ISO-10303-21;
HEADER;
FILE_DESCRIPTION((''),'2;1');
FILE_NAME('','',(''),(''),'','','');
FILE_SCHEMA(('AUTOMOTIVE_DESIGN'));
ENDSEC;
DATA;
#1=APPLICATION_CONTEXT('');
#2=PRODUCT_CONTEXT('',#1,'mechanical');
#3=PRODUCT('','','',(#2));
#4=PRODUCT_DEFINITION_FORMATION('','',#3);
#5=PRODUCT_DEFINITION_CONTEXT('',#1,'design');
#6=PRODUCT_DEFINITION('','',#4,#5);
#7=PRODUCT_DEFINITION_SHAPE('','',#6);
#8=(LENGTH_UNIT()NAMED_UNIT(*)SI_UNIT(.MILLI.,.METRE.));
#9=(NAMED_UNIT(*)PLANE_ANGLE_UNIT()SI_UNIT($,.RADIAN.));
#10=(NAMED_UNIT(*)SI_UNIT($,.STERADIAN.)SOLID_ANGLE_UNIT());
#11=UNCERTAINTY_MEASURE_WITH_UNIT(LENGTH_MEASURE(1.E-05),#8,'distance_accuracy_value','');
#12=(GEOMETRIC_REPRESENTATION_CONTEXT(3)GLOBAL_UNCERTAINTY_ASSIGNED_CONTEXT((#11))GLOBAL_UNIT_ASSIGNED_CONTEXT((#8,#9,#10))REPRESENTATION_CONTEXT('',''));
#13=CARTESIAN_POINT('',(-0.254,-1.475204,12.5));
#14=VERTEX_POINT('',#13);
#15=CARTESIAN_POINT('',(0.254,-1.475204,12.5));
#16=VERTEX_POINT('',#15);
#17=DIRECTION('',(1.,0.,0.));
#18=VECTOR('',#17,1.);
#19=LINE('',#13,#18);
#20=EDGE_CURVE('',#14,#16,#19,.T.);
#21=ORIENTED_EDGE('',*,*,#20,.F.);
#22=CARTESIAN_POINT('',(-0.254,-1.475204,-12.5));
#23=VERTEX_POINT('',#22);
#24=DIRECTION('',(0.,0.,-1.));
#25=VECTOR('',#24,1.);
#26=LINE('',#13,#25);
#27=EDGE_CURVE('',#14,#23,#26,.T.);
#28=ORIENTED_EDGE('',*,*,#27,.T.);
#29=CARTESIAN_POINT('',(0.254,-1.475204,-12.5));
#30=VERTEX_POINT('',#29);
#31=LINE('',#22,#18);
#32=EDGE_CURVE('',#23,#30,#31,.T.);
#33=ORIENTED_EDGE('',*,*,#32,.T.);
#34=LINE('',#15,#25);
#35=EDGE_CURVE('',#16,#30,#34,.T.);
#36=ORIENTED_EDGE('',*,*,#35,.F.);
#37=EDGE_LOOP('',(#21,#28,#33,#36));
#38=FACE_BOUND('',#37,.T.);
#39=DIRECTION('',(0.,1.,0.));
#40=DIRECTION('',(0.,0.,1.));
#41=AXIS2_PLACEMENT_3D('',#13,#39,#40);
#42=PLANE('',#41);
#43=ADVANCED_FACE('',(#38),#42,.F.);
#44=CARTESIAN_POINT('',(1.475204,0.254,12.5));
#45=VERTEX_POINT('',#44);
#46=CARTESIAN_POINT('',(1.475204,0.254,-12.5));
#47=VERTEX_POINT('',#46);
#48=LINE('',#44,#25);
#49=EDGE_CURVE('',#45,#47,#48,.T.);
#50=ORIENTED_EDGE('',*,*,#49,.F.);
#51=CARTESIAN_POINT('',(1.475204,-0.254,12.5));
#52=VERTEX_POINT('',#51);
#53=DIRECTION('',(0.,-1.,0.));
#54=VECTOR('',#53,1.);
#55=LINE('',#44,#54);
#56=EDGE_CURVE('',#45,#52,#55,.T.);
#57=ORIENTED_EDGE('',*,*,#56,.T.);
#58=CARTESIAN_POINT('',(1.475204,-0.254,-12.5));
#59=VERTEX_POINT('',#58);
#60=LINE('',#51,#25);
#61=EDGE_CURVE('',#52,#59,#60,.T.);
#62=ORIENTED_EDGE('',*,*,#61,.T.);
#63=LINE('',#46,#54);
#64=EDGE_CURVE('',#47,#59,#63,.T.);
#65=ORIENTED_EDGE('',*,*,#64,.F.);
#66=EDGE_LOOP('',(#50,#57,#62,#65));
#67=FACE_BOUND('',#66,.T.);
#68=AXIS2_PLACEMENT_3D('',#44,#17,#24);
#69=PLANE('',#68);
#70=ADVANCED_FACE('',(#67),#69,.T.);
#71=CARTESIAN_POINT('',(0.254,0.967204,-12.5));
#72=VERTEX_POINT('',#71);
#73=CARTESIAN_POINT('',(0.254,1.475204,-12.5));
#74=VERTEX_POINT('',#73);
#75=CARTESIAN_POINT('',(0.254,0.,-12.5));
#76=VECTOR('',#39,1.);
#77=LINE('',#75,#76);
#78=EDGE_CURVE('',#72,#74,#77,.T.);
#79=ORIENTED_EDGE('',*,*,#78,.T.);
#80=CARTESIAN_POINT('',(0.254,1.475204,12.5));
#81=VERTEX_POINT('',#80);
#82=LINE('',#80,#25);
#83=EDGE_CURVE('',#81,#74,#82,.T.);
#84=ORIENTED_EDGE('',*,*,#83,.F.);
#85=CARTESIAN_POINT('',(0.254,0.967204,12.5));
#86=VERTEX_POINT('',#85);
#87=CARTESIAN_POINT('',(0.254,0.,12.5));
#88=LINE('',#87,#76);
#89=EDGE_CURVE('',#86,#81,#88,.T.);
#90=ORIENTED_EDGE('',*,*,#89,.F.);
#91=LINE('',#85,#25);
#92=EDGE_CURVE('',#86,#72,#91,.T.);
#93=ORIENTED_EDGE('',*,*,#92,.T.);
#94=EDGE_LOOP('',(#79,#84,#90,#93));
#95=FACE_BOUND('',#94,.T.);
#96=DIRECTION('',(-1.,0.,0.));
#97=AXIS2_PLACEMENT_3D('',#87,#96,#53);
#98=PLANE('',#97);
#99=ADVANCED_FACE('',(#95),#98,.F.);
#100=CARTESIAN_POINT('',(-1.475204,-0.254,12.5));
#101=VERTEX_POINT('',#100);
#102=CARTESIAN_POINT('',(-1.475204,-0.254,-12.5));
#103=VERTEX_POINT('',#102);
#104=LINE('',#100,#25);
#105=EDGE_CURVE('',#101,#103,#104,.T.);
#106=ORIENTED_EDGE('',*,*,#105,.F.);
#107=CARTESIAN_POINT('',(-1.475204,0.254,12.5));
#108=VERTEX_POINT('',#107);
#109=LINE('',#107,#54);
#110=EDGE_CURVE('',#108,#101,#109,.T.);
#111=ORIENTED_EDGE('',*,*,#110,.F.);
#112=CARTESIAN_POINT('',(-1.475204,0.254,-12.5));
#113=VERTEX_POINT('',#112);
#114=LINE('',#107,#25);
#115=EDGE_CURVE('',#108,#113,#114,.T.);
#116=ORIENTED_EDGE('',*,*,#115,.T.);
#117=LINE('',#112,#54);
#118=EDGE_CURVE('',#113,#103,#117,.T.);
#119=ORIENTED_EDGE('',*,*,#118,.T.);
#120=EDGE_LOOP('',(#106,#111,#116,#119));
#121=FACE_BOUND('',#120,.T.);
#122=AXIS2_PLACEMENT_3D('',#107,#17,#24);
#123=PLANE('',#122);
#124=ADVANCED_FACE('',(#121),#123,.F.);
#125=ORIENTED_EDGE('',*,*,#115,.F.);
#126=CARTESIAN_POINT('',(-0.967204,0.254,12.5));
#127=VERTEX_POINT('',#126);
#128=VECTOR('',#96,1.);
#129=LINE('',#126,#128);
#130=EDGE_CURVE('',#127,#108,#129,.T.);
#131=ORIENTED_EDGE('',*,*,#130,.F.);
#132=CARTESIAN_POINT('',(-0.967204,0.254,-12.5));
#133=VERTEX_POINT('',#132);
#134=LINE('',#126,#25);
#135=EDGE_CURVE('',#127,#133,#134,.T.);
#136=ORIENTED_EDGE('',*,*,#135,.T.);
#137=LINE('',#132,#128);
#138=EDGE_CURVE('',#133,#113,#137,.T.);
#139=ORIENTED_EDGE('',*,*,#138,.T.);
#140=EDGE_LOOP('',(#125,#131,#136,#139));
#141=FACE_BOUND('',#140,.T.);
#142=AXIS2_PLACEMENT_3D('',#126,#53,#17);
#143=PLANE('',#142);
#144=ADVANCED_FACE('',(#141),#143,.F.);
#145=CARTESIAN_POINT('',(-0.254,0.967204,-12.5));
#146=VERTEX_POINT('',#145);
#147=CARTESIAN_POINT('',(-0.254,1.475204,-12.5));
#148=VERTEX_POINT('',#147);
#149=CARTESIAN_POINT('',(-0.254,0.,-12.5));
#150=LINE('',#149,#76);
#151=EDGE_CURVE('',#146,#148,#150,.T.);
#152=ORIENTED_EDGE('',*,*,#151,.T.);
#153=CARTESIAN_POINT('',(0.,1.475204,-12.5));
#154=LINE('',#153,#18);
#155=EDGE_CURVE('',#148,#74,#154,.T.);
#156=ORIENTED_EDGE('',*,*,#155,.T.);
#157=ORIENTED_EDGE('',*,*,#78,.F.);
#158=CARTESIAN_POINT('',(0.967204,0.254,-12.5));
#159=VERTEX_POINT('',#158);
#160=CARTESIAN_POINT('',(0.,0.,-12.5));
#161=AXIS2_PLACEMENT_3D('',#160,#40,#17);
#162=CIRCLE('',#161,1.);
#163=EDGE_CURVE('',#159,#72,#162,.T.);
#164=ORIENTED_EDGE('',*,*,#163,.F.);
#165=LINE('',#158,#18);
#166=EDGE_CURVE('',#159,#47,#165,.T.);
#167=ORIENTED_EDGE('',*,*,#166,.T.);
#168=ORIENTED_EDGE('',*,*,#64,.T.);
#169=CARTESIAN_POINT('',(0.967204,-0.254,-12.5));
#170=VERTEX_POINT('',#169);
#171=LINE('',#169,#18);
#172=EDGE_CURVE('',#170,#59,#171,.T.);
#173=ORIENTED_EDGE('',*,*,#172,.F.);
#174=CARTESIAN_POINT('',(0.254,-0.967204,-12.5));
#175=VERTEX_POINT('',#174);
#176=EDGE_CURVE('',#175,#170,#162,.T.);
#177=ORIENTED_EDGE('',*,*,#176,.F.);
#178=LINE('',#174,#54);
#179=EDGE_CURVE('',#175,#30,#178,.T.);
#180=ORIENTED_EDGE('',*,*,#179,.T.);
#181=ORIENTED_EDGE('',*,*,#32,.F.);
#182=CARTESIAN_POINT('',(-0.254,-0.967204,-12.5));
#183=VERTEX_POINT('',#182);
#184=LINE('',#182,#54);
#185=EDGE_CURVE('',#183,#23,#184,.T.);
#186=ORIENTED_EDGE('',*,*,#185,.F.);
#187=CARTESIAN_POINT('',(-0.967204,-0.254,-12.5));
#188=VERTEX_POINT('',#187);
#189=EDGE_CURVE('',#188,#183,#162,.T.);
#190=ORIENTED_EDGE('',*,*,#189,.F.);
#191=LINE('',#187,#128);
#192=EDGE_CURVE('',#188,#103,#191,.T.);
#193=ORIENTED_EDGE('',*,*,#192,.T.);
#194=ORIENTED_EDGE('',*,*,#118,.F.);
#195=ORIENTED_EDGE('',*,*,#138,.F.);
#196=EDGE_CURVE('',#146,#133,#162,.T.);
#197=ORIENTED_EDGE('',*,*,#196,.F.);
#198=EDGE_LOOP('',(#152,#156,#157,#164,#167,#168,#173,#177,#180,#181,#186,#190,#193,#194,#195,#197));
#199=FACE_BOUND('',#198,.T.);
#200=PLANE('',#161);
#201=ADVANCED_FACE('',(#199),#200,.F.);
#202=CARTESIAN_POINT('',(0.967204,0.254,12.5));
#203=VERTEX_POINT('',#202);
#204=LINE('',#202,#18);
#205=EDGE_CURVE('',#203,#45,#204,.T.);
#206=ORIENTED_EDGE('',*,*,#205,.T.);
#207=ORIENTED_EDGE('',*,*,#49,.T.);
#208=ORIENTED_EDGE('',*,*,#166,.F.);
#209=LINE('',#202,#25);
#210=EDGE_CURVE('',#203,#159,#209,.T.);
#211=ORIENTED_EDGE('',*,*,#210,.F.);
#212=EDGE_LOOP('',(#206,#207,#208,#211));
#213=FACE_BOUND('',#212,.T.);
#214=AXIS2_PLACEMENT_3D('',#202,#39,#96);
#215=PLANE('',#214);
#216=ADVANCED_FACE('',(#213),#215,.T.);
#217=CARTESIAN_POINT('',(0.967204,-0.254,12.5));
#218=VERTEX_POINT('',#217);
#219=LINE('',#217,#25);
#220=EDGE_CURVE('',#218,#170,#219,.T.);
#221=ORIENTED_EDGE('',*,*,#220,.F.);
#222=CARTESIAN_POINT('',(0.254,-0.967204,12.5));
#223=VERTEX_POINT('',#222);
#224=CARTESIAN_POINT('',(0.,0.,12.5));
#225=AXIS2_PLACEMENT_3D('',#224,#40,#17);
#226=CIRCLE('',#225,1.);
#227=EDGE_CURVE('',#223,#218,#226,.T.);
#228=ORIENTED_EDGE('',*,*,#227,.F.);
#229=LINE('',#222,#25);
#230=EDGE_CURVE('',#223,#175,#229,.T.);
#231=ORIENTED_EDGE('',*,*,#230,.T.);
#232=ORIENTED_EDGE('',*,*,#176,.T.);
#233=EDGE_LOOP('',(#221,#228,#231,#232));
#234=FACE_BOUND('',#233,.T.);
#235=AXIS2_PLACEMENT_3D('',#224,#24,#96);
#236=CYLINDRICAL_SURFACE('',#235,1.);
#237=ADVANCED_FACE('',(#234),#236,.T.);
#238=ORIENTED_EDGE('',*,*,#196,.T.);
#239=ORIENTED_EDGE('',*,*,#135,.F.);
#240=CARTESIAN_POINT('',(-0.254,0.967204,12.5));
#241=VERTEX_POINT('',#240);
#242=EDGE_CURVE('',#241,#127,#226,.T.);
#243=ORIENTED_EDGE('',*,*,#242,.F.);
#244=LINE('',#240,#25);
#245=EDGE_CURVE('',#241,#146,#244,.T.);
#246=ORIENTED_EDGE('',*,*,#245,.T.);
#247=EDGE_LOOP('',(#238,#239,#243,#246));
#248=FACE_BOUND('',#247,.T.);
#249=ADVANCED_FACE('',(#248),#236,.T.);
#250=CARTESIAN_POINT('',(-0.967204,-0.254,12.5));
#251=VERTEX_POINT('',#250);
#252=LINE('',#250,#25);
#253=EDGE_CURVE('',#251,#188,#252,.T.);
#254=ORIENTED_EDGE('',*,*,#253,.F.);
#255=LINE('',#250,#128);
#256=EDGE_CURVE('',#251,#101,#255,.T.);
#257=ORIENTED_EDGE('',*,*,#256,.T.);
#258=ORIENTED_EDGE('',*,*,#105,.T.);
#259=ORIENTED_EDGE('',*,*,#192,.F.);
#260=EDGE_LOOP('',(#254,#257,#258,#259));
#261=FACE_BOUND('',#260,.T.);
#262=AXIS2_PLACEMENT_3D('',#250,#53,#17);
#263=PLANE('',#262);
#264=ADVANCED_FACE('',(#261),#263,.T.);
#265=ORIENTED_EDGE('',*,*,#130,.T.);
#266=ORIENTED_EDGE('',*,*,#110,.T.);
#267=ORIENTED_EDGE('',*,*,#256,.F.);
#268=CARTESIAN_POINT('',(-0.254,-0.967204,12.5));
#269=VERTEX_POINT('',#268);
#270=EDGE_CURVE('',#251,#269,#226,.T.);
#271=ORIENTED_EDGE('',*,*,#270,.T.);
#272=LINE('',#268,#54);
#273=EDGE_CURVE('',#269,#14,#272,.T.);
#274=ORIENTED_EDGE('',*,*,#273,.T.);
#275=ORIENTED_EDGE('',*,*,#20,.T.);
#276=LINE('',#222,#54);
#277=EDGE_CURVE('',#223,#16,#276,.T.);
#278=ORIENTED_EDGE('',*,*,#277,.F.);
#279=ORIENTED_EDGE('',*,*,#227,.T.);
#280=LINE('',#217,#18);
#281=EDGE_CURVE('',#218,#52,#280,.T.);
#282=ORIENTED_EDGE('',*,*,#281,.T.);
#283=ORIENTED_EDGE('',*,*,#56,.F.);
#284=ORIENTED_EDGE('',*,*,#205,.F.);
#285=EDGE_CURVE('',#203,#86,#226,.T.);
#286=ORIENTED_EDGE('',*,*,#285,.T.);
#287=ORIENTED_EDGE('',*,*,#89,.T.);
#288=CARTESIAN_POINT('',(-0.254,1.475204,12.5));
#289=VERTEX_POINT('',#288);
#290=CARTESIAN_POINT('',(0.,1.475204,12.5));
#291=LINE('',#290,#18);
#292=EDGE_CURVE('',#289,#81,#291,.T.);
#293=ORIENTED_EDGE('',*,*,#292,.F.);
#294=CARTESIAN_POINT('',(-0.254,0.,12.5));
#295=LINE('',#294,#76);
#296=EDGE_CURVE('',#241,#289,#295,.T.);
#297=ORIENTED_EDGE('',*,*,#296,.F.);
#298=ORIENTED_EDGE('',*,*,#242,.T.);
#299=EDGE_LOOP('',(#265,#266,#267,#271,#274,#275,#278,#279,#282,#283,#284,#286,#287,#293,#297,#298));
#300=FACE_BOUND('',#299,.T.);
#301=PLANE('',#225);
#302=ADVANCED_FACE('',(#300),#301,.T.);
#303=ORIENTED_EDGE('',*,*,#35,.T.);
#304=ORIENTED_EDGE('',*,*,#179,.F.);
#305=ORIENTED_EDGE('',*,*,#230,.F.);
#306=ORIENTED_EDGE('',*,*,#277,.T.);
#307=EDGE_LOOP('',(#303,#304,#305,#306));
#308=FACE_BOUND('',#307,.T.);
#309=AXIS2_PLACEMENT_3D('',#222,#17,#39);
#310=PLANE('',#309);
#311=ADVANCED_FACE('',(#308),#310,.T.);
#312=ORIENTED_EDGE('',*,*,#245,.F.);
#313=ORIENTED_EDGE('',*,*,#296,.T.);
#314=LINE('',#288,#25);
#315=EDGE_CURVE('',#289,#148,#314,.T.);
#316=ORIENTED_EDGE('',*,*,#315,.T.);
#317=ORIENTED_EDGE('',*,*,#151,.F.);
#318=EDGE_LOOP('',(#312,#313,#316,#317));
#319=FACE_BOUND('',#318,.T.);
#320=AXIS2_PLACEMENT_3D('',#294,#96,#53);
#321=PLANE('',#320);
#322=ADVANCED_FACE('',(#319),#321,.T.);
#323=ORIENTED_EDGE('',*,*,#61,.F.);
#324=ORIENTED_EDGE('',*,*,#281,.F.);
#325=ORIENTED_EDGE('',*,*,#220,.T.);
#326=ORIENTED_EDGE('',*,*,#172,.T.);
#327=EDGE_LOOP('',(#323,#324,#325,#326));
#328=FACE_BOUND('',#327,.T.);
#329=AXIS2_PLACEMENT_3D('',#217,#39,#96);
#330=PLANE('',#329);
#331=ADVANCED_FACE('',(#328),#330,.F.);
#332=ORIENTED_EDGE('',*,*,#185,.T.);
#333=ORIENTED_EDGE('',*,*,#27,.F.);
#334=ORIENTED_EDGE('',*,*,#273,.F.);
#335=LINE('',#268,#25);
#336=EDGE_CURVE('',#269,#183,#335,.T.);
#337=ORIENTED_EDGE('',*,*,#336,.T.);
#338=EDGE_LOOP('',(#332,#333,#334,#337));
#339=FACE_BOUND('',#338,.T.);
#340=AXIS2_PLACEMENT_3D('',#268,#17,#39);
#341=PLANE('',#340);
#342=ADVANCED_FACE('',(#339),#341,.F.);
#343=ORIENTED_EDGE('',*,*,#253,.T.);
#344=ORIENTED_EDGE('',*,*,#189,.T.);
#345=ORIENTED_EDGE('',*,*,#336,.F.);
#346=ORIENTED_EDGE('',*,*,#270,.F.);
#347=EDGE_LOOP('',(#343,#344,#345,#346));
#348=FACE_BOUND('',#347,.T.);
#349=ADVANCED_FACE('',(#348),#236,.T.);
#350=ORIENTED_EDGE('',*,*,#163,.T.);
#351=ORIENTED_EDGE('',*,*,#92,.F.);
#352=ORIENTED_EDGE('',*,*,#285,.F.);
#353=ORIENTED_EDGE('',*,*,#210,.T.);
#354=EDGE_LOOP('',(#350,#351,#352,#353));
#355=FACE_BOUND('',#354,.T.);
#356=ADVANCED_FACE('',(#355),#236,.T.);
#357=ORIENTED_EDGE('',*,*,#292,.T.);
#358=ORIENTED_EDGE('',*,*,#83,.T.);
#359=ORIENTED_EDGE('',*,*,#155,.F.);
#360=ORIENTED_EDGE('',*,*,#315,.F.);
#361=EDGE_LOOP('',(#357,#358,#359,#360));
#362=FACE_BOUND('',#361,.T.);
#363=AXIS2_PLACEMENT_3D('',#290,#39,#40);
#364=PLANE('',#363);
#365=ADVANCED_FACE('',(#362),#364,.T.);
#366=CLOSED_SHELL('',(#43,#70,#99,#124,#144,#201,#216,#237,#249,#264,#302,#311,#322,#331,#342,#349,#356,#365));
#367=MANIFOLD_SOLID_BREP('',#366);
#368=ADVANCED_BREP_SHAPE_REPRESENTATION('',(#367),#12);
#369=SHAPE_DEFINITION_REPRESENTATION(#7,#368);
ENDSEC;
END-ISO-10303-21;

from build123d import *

# Parameters (mm, degrees)
SKETCH1_R           = 1
SKETCH1_W           = 0.508
SKETCH1_H           = 0.508
BOSS_EXTRUDE1_DEPTH = 12.5


with BuildPart() as part:
    # Sketch1 → Boss-Extrude1 (new, symmetric)
    with BuildSketch(Plane.XY):
        Circle(SKETCH1_R)
        with Locations((0, 1.221204218)):
            Rectangle(SKETCH1_W, SKETCH1_H)
        with Locations((0, -1.221204218)):
            Rectangle(SKETCH1_W, SKETCH1_H)
        with Locations((1.221204218, 0)):
            Rectangle(SKETCH1_W, SKETCH1_H)
        with Locations((-1.221204218, 0)):
            Rectangle(SKETCH1_W, SKETCH1_H)
    extrude(amount=BOSS_EXTRUDE1_DEPTH, both=True)


solid = part.part
